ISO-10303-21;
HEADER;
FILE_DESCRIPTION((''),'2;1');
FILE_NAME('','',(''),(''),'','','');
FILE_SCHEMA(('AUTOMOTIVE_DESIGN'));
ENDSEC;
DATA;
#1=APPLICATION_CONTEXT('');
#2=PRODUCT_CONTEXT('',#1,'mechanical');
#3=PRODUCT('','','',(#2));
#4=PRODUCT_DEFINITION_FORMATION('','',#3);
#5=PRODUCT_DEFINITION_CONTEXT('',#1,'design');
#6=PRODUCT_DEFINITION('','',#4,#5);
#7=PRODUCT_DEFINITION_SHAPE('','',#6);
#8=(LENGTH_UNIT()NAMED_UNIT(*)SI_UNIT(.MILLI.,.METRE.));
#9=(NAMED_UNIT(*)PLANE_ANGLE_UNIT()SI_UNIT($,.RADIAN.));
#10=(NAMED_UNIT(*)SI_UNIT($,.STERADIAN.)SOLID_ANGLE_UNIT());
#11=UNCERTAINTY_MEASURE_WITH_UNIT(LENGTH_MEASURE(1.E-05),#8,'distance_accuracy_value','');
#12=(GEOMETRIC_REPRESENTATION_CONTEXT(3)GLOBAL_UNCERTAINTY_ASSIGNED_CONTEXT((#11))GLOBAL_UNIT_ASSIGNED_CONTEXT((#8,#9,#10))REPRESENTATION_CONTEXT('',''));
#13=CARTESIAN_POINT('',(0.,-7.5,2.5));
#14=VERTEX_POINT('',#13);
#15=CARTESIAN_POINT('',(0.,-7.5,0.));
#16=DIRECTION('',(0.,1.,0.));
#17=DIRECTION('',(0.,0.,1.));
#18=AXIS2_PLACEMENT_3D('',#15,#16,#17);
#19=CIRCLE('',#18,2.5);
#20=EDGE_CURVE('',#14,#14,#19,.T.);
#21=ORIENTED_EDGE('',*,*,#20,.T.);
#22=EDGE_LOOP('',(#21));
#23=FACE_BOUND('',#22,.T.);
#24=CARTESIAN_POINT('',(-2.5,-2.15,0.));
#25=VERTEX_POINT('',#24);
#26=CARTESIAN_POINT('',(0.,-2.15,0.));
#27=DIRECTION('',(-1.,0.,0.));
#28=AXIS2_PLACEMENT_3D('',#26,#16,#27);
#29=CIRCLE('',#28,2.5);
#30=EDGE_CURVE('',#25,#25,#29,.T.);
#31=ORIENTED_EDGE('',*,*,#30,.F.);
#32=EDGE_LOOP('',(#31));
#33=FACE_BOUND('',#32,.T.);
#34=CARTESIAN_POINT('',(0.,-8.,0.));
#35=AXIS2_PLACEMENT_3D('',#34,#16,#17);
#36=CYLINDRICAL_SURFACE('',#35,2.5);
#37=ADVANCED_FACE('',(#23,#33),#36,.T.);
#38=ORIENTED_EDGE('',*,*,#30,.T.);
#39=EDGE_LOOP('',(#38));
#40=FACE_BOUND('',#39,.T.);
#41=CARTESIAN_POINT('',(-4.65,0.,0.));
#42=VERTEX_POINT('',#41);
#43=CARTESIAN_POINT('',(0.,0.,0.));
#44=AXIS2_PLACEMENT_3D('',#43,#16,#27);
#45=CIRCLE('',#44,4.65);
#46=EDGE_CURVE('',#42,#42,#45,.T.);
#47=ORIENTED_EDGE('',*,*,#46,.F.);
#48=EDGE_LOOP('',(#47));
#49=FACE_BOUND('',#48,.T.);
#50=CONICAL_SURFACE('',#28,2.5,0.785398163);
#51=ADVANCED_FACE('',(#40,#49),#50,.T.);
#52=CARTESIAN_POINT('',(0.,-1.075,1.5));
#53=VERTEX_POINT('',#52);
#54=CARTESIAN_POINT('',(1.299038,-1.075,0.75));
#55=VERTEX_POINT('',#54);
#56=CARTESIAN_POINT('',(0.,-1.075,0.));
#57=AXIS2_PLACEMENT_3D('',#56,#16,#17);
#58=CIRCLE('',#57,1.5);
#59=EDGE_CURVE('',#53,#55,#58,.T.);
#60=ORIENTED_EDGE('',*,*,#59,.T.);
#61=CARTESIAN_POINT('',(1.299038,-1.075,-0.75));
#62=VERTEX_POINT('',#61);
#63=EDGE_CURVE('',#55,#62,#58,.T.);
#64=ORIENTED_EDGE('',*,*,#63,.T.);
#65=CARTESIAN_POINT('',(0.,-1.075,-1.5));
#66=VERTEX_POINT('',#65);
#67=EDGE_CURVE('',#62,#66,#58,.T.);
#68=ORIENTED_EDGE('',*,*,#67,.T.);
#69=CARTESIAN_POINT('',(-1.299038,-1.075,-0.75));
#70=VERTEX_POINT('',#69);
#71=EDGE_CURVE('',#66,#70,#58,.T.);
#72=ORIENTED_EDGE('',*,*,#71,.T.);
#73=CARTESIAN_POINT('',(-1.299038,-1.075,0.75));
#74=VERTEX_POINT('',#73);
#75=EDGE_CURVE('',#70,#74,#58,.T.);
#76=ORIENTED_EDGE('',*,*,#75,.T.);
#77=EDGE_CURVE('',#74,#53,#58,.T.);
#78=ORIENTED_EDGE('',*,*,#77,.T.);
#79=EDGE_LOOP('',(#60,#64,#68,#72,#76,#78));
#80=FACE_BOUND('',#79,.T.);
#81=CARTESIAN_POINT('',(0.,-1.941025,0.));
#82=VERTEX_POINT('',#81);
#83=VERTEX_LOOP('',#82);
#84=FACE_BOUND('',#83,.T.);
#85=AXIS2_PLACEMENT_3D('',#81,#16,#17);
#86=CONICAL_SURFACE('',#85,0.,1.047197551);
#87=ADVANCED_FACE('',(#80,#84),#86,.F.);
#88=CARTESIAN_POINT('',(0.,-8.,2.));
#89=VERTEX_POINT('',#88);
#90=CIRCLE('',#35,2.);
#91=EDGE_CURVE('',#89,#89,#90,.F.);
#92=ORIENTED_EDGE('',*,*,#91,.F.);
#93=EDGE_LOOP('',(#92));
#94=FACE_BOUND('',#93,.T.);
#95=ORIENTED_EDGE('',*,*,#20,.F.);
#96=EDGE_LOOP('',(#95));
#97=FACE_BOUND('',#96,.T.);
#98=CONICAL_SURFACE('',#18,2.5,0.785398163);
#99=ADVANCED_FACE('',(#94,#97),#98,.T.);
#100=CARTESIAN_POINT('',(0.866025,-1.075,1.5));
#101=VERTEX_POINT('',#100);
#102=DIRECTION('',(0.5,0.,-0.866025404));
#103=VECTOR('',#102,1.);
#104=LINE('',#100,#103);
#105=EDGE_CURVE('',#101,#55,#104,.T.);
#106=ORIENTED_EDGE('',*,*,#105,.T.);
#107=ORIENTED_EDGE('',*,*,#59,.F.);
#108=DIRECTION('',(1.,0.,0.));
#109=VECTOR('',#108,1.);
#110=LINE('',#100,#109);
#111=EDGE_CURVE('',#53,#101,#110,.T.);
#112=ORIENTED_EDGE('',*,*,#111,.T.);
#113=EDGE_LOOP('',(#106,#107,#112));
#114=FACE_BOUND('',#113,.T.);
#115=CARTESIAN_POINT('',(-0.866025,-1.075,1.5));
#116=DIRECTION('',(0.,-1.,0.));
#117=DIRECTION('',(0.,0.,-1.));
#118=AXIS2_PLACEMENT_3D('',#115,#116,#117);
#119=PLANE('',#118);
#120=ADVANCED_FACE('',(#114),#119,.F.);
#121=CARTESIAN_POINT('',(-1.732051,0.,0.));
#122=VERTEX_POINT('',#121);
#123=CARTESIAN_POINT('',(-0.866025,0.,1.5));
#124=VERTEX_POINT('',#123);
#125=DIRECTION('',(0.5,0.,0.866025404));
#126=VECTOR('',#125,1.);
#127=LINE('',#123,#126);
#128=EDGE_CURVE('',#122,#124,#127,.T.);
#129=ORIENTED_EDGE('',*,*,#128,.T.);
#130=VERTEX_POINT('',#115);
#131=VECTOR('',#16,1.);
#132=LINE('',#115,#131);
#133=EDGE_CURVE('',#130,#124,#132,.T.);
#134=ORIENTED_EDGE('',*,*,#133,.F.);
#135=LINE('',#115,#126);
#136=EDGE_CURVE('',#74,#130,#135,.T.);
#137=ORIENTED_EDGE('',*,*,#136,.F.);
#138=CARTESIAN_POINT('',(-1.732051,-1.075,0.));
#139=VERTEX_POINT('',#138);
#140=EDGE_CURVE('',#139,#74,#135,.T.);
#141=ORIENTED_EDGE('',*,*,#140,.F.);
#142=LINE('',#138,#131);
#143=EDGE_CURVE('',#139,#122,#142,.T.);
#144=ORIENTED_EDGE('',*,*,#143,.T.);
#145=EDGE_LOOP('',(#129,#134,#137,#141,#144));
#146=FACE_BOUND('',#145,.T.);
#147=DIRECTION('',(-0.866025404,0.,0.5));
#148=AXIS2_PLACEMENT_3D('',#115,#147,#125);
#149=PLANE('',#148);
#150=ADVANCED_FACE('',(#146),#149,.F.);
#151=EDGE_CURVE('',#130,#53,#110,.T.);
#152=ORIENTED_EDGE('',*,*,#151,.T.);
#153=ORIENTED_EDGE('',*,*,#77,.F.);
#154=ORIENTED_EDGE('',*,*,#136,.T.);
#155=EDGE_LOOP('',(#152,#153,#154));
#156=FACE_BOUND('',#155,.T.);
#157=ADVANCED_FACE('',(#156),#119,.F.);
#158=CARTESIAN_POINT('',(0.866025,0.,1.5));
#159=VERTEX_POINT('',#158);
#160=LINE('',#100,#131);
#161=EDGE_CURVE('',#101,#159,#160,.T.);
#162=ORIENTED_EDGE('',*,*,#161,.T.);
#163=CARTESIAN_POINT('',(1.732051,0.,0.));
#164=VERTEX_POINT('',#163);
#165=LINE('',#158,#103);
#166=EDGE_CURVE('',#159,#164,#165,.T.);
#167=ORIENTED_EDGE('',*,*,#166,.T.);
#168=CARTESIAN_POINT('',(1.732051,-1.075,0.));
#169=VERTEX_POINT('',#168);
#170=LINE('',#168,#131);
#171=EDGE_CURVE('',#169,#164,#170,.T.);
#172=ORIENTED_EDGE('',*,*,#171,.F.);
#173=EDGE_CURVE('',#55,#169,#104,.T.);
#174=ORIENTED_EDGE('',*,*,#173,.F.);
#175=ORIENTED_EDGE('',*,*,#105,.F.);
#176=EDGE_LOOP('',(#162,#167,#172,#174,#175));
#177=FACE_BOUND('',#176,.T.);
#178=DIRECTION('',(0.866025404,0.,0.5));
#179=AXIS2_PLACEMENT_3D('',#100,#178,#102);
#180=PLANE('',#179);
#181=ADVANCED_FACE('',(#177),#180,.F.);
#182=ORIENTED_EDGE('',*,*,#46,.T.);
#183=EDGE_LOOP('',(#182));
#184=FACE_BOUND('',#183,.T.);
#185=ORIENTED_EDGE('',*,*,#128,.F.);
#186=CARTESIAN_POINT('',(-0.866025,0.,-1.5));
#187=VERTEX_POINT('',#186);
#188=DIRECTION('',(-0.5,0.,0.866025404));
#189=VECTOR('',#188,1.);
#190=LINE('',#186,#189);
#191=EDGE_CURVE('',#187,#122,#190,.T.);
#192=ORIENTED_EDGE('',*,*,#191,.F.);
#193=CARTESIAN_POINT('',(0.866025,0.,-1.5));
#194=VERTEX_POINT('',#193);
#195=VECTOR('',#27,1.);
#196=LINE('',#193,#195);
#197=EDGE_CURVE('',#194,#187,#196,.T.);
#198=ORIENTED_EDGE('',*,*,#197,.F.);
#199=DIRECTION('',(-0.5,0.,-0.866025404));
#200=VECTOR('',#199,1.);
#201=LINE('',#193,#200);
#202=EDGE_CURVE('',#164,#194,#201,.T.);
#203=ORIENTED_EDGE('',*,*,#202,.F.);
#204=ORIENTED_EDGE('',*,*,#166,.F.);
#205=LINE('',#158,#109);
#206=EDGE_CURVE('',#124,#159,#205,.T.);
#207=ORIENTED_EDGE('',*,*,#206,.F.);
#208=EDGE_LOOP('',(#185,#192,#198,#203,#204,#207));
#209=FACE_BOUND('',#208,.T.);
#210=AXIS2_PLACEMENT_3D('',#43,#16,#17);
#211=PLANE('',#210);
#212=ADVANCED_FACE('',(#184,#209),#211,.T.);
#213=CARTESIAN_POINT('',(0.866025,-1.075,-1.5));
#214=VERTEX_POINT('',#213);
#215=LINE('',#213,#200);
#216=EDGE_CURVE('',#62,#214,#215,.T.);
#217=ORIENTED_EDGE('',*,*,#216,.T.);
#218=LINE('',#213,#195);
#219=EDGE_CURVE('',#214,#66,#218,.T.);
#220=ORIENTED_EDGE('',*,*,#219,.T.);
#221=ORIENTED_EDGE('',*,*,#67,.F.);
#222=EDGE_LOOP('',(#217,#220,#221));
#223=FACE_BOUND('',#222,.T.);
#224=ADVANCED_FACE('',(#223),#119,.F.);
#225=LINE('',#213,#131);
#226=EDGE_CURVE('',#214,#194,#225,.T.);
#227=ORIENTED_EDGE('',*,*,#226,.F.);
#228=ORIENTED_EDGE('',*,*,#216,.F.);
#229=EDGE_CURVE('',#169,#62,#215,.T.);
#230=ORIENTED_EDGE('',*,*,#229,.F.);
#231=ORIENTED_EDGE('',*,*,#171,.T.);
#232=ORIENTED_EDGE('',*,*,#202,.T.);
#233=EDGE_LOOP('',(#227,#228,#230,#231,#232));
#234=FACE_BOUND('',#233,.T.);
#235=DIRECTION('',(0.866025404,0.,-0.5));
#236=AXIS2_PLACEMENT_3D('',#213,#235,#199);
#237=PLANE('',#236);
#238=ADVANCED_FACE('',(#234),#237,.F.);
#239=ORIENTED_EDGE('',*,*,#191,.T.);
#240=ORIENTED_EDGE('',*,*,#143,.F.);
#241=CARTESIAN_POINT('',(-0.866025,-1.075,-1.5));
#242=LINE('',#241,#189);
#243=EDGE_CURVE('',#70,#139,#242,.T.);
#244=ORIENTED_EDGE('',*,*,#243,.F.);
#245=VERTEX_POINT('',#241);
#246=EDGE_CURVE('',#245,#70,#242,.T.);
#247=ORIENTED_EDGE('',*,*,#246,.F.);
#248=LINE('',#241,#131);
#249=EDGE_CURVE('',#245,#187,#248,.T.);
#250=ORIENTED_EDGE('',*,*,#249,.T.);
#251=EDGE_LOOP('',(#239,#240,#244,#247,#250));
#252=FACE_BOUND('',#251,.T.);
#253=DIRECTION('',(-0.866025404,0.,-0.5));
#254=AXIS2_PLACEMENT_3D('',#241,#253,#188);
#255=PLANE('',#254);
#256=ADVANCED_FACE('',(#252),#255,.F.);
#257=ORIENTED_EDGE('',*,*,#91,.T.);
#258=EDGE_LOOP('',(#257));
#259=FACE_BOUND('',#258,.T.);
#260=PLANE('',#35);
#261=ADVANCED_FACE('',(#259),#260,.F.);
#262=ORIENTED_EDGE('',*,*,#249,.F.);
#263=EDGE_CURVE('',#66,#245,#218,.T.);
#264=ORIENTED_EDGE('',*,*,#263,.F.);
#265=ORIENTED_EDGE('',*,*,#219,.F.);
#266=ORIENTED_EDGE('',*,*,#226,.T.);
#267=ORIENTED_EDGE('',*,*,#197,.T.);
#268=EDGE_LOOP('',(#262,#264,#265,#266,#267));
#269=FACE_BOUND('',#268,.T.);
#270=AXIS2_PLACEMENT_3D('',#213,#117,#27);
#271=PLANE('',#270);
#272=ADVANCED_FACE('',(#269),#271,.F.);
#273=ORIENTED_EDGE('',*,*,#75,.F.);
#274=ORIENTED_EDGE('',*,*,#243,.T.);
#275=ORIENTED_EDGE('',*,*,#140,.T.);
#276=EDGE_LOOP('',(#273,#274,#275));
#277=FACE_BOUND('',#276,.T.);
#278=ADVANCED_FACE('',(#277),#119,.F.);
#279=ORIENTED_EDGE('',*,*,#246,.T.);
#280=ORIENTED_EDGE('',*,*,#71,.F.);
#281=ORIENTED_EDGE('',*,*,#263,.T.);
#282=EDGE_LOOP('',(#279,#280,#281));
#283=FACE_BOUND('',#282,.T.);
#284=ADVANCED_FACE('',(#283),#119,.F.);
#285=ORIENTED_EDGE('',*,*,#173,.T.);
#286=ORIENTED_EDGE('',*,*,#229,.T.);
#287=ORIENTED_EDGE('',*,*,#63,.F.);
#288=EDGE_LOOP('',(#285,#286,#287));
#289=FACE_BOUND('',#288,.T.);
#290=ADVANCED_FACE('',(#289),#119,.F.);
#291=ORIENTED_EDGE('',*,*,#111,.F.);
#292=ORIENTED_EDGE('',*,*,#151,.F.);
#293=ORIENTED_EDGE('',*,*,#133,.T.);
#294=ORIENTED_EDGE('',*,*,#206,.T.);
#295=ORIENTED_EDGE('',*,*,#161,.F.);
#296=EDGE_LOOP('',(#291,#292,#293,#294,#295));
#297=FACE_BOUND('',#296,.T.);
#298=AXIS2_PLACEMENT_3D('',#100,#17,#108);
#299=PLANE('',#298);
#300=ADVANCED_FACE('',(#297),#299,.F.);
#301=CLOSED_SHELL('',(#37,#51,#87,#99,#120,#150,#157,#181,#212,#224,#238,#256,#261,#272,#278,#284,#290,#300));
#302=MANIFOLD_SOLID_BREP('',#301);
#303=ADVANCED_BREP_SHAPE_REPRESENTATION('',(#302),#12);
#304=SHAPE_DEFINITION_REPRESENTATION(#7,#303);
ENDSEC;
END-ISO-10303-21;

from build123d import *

# Parameters (mm, degrees)
TIGE_START              = -8
ESQUISSE1_R             = 2.5
TIGE_DEPTH              = 8
CHANFREIN_D_ENTR_E_SIZE = 0.5
HEXAGONE_DEPTH          = 1.075


with BuildPart() as part:
    # Esquisse1 → Tige (new body)
    with BuildSketch(Plane(origin=(0, 0, 0), x_dir=(1, 0, 0), z_dir=(0, 1, 0)).offset(TIGE_START)):
        with Locations(Location((0, 0, 0), (0, 0, 270))):
            Circle(ESQUISSE1_R)
    extrude(amount=TIGE_DEPTH)

    # Chanfrein d'entrée
    chanfrein_d_entr_e_edges = [part.edges().sort_by_distance(p)[0] for p in [
        (0, -8, -2.5),
    ]]
    chamfer(chanfrein_d_entr_e_edges, length=CHANFREIN_D_ENTR_E_SIZE)

    # Esquisse2 → Tête (revolve)
    with BuildSketch(Plane.XY, mode=Mode.PRIVATE) as t_te_sk:
        Polygon((0, 0), (4.65, 0), (2.5, -2.15), (0, -2.15), align=None)
    revolve(t_te_sk.sketch.rotate(Axis((0, 0, 0), (0, -1, 0)), 90), axis=Axis((0, 0, 0), (0, -1, 0)))

    # Esquisse3 → Perçage (revolve, cut)
    with BuildSketch(Plane.XY, mode=Mode.PRIVATE) as per_age_sk:
        Polygon((1.5, 0), (1.5, -1.075), (0, -1.941025404), (0, 0), align=None)
    revolve(per_age_sk.sketch.rotate(Axis((0, 0, 0), (0, -1, 0)), 90), axis=Axis((0, 0, 0), (0, -1, 0)), mode=Mode.SUBTRACT)

    # Esquisse5 → Hexagone (cut)
    with BuildSketch(Plane(origin=(0, 0, 0), x_dir=(1, 0, 0), z_dir=(0, 1, 0))):
        Polygon((0.866025404, 1.5), (-0.866025404, 1.5), (-1.732050808, 0), (-0.866025404, -1.5), (0.866025404, -1.5), (1.732050808, 0), align=None)
    extrude(amount=-HEXAGONE_DEPTH, mode=Mode.SUBTRACT)


solid = part.part
